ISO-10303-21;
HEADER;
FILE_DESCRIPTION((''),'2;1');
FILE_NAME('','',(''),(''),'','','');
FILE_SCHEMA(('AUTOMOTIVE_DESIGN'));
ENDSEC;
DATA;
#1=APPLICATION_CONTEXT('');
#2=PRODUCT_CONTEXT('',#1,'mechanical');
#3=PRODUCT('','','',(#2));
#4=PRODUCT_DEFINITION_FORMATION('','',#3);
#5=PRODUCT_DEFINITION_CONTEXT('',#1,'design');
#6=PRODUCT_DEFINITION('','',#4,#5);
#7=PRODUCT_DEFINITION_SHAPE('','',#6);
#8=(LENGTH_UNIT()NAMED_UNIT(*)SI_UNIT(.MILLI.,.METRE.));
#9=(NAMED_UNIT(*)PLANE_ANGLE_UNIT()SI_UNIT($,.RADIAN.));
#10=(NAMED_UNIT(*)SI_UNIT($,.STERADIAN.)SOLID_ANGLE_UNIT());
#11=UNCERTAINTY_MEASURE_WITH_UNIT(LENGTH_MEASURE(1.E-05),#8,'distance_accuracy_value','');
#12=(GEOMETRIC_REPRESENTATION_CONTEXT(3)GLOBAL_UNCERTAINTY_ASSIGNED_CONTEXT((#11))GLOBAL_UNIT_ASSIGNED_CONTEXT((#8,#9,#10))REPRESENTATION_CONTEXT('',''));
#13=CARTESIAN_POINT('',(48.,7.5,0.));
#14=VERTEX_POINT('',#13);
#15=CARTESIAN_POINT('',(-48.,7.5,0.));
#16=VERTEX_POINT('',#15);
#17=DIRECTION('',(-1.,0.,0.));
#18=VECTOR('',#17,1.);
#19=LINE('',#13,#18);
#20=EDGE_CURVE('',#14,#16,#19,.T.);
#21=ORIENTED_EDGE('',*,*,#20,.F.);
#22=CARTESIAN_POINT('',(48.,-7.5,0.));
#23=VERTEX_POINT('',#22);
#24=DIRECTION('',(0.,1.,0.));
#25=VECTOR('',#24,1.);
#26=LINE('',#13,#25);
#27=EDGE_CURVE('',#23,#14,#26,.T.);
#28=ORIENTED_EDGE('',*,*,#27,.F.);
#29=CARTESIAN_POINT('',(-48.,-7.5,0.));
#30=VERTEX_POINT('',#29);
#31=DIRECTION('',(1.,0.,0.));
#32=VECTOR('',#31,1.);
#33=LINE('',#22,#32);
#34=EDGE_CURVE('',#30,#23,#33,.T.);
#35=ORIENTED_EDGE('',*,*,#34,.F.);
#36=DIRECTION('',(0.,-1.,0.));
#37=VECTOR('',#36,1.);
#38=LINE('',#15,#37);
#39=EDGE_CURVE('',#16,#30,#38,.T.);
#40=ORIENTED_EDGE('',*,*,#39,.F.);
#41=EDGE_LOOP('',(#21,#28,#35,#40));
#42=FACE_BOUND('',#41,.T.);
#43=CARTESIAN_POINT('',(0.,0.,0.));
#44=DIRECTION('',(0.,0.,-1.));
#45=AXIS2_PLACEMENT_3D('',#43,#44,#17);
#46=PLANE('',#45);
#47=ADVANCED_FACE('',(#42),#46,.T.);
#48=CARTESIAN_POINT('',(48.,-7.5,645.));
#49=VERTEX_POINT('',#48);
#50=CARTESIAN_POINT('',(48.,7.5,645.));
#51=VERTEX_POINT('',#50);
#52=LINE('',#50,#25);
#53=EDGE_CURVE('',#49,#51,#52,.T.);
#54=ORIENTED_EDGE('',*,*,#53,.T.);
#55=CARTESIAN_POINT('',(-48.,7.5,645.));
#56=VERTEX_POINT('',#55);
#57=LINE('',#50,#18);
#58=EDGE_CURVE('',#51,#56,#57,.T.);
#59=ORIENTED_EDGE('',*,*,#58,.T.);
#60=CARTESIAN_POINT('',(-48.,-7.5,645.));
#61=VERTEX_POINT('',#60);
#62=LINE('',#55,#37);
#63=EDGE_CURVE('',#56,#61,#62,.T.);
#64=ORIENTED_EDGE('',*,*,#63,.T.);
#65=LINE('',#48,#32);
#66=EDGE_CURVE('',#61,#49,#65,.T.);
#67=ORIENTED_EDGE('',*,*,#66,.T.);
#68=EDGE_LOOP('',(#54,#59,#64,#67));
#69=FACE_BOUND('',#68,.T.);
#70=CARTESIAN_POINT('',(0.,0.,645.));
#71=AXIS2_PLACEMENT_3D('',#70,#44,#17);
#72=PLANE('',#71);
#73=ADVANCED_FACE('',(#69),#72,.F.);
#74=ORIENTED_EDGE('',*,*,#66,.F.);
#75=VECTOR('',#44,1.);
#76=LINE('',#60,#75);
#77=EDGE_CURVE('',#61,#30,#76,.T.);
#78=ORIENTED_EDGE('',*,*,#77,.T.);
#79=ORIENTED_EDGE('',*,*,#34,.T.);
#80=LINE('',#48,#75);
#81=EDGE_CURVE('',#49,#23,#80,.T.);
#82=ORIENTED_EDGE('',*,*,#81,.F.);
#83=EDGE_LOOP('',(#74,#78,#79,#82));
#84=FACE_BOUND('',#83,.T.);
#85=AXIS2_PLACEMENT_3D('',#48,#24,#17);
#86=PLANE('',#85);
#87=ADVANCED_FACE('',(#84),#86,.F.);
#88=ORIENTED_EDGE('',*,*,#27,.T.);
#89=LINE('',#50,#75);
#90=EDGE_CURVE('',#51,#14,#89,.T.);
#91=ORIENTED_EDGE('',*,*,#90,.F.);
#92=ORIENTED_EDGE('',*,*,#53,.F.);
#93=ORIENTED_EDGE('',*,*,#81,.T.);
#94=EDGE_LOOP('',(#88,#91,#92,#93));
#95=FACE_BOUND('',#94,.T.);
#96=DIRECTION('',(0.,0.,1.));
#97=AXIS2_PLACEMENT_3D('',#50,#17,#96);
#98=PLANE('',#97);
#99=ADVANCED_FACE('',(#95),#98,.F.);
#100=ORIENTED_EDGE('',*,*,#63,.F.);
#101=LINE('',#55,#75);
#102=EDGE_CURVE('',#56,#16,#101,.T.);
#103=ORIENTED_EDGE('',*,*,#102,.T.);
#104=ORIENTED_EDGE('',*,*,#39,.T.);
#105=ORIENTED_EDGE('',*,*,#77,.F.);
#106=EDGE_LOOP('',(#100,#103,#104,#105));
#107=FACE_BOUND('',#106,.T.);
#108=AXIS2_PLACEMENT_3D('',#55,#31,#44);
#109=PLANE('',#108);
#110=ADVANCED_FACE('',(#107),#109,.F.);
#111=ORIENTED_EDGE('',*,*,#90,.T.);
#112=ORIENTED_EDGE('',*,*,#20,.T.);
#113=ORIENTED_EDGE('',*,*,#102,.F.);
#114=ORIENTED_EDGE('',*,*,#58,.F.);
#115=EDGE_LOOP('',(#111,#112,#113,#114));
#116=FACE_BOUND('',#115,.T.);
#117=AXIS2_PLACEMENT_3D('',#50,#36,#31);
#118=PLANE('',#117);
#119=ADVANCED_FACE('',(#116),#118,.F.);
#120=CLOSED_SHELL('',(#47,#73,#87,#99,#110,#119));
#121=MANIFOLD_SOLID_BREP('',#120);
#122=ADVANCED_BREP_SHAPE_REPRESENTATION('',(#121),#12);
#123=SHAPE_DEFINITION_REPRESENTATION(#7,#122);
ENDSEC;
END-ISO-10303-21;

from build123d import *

# Parameters (mm, degrees)
ESBO_O1_W                = 96
ESBO_O1_H                = 15
RESSALTO_EXTRUS_O1_DEPTH = 645


with BuildPart() as part:
    # Esboço1 → Ressalto-extrusão1 (new body)
    with BuildSketch(Plane.XY):
        Rectangle(ESBO_O1_W, ESBO_O1_H)
    extrude(amount=RESSALTO_EXTRUS_O1_DEPTH)


solid = part.part
